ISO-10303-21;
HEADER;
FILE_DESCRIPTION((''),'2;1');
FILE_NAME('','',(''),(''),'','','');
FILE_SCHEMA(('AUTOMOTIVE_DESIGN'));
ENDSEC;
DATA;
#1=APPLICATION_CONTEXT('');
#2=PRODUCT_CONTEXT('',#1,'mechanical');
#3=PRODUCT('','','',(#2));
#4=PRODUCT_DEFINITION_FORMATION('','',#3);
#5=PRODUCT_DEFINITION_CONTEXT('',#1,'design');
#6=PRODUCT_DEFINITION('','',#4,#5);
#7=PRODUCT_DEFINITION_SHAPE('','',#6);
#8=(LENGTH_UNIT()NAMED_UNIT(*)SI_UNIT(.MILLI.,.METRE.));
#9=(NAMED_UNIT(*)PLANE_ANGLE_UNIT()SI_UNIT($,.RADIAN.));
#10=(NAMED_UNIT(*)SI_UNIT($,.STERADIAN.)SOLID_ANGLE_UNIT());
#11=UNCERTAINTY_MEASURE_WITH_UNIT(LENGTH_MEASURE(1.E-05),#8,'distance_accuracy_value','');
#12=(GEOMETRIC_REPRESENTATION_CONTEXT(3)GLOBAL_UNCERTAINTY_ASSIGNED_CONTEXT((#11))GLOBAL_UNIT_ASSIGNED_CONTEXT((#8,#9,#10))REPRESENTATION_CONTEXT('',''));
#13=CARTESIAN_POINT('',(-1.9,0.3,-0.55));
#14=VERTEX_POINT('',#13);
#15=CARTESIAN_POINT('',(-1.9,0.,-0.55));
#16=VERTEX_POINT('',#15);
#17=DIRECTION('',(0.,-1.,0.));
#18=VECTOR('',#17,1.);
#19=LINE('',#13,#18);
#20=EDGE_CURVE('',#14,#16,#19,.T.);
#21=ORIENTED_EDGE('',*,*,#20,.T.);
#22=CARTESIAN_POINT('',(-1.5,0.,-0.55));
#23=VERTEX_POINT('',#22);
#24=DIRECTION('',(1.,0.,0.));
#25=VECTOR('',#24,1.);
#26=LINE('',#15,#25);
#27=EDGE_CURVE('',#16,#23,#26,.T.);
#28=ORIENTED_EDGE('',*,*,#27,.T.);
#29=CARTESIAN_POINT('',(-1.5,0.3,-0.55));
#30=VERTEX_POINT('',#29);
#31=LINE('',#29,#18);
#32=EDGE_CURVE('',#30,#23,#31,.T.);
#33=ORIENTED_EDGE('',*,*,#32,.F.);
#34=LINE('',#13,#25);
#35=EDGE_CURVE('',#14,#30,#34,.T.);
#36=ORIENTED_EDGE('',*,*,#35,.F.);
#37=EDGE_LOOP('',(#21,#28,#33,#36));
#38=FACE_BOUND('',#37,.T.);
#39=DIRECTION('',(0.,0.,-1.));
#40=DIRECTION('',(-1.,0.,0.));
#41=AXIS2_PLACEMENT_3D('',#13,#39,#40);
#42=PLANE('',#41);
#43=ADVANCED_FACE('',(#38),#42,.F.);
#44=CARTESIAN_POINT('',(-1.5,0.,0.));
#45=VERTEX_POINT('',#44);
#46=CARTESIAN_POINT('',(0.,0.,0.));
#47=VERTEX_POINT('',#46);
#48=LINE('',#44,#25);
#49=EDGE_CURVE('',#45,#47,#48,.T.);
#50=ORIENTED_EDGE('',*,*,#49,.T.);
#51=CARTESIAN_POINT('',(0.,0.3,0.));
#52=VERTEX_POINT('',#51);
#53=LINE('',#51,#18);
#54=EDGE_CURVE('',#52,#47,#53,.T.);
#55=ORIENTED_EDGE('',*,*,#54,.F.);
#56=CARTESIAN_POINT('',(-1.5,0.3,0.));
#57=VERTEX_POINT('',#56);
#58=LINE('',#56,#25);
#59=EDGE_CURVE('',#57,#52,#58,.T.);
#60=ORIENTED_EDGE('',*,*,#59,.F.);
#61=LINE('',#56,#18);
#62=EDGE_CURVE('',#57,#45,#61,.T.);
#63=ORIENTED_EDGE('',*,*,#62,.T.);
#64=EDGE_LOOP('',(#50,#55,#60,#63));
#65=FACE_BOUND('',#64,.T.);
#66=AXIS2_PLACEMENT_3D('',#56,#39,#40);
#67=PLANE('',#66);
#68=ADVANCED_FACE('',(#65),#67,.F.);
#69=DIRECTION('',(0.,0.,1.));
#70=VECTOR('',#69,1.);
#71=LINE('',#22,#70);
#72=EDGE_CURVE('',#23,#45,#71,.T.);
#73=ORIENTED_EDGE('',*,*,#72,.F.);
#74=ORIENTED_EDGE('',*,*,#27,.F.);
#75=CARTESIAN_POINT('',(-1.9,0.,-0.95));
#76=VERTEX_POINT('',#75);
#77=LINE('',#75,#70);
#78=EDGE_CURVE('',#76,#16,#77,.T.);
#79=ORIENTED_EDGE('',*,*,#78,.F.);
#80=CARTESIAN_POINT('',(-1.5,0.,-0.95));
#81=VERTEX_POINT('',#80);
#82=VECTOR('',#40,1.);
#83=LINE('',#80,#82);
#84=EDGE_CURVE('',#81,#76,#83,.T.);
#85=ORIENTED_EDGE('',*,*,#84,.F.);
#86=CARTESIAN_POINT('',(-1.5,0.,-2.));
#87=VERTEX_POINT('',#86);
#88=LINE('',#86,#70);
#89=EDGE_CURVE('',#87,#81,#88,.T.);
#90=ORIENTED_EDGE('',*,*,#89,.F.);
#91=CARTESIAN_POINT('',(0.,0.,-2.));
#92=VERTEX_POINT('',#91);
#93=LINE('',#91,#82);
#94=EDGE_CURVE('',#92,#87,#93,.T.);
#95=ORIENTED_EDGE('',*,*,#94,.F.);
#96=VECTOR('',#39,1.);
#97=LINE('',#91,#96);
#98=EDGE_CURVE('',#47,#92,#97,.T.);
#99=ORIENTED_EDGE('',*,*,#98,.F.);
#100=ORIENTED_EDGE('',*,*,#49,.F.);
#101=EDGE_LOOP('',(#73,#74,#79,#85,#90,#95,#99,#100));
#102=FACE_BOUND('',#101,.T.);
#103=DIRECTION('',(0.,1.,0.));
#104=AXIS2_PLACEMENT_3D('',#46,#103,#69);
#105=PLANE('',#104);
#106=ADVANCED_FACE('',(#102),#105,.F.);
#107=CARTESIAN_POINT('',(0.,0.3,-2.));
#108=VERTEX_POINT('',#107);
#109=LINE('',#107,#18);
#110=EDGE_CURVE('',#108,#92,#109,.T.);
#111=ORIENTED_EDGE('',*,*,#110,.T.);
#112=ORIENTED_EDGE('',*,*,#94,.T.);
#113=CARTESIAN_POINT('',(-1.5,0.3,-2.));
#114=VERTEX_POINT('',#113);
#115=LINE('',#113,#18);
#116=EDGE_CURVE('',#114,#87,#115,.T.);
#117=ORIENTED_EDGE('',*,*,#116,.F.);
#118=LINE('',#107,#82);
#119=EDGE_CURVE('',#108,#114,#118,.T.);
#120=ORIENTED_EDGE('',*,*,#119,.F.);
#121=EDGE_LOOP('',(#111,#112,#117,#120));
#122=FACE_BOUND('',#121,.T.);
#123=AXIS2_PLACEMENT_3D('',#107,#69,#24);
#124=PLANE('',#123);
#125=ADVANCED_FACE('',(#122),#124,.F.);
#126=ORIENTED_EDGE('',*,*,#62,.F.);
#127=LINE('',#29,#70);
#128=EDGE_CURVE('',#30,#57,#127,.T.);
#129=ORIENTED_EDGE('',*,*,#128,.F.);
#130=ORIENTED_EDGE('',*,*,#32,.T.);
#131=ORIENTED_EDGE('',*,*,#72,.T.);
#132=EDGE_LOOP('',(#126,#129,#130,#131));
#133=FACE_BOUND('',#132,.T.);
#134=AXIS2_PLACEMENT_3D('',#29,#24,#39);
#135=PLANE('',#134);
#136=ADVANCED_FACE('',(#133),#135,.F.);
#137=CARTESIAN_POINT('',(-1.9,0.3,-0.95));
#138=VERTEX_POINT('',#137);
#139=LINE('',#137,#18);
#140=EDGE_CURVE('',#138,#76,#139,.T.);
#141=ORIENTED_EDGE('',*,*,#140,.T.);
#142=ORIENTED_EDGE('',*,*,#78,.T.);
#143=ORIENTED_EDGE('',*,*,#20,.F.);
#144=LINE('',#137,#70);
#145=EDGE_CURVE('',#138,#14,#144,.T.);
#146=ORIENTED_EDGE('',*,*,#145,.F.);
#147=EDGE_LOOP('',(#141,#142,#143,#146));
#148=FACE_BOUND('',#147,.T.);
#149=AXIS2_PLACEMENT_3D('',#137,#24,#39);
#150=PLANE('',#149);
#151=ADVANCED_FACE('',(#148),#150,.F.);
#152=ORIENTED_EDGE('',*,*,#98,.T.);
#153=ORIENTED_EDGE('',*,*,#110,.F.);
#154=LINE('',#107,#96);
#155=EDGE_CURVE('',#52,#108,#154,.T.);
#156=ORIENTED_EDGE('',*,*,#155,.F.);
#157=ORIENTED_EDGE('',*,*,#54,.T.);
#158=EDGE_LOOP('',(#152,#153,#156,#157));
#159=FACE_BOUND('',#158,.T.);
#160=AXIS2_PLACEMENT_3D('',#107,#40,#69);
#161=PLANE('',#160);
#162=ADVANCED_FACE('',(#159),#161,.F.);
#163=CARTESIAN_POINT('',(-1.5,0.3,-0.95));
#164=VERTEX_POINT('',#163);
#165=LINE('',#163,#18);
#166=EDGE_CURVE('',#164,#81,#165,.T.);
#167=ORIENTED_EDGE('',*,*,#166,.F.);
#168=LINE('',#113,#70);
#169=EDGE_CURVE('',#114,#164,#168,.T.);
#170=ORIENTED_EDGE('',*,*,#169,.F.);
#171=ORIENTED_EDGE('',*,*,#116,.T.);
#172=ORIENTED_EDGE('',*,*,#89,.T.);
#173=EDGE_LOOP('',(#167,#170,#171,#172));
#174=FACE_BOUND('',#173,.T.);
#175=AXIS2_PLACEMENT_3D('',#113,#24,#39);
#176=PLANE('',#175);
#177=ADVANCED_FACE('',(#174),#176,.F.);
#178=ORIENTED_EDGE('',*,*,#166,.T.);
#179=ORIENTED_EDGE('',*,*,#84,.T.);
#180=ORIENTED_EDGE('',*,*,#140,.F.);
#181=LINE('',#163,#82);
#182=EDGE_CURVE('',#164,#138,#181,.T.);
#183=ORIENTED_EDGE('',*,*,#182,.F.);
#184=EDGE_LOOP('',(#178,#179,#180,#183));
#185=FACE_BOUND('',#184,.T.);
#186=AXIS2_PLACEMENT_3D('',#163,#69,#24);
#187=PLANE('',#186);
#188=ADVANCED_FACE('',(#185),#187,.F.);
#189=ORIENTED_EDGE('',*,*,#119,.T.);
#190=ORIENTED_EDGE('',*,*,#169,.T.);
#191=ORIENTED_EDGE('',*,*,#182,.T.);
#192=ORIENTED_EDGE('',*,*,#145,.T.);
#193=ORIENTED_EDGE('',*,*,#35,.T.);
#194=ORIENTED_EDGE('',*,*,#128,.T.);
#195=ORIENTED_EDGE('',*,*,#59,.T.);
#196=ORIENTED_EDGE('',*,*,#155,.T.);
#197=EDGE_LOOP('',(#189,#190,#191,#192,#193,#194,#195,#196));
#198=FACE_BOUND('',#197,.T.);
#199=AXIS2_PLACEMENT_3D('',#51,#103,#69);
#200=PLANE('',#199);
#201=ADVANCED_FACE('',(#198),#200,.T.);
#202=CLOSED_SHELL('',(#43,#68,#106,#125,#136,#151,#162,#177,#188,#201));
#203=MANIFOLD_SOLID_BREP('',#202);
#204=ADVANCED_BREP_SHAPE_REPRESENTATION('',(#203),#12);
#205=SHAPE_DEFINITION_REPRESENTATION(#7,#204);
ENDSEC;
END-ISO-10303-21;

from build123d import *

# Parameters (mm, degrees)
BOSS_EXTRUDE1_DEPTH = 0.3


with BuildPart() as part:
    # Sketch1 → Boss-Extrude1 (new body)
    with BuildSketch(Plane(origin=(0, 0, 0), x_dir=(1, 0, 0), z_dir=(0, 1, 0))):
        Polygon((0, 2), (-1.5, 2), (-1.5, 0.95), (-1.9, 0.95), (-1.9, 0.55), (-1.5, 0.55), (-1.5, 0), (0, 0), align=None)
    extrude(amount=BOSS_EXTRUDE1_DEPTH)


solid = part.part
